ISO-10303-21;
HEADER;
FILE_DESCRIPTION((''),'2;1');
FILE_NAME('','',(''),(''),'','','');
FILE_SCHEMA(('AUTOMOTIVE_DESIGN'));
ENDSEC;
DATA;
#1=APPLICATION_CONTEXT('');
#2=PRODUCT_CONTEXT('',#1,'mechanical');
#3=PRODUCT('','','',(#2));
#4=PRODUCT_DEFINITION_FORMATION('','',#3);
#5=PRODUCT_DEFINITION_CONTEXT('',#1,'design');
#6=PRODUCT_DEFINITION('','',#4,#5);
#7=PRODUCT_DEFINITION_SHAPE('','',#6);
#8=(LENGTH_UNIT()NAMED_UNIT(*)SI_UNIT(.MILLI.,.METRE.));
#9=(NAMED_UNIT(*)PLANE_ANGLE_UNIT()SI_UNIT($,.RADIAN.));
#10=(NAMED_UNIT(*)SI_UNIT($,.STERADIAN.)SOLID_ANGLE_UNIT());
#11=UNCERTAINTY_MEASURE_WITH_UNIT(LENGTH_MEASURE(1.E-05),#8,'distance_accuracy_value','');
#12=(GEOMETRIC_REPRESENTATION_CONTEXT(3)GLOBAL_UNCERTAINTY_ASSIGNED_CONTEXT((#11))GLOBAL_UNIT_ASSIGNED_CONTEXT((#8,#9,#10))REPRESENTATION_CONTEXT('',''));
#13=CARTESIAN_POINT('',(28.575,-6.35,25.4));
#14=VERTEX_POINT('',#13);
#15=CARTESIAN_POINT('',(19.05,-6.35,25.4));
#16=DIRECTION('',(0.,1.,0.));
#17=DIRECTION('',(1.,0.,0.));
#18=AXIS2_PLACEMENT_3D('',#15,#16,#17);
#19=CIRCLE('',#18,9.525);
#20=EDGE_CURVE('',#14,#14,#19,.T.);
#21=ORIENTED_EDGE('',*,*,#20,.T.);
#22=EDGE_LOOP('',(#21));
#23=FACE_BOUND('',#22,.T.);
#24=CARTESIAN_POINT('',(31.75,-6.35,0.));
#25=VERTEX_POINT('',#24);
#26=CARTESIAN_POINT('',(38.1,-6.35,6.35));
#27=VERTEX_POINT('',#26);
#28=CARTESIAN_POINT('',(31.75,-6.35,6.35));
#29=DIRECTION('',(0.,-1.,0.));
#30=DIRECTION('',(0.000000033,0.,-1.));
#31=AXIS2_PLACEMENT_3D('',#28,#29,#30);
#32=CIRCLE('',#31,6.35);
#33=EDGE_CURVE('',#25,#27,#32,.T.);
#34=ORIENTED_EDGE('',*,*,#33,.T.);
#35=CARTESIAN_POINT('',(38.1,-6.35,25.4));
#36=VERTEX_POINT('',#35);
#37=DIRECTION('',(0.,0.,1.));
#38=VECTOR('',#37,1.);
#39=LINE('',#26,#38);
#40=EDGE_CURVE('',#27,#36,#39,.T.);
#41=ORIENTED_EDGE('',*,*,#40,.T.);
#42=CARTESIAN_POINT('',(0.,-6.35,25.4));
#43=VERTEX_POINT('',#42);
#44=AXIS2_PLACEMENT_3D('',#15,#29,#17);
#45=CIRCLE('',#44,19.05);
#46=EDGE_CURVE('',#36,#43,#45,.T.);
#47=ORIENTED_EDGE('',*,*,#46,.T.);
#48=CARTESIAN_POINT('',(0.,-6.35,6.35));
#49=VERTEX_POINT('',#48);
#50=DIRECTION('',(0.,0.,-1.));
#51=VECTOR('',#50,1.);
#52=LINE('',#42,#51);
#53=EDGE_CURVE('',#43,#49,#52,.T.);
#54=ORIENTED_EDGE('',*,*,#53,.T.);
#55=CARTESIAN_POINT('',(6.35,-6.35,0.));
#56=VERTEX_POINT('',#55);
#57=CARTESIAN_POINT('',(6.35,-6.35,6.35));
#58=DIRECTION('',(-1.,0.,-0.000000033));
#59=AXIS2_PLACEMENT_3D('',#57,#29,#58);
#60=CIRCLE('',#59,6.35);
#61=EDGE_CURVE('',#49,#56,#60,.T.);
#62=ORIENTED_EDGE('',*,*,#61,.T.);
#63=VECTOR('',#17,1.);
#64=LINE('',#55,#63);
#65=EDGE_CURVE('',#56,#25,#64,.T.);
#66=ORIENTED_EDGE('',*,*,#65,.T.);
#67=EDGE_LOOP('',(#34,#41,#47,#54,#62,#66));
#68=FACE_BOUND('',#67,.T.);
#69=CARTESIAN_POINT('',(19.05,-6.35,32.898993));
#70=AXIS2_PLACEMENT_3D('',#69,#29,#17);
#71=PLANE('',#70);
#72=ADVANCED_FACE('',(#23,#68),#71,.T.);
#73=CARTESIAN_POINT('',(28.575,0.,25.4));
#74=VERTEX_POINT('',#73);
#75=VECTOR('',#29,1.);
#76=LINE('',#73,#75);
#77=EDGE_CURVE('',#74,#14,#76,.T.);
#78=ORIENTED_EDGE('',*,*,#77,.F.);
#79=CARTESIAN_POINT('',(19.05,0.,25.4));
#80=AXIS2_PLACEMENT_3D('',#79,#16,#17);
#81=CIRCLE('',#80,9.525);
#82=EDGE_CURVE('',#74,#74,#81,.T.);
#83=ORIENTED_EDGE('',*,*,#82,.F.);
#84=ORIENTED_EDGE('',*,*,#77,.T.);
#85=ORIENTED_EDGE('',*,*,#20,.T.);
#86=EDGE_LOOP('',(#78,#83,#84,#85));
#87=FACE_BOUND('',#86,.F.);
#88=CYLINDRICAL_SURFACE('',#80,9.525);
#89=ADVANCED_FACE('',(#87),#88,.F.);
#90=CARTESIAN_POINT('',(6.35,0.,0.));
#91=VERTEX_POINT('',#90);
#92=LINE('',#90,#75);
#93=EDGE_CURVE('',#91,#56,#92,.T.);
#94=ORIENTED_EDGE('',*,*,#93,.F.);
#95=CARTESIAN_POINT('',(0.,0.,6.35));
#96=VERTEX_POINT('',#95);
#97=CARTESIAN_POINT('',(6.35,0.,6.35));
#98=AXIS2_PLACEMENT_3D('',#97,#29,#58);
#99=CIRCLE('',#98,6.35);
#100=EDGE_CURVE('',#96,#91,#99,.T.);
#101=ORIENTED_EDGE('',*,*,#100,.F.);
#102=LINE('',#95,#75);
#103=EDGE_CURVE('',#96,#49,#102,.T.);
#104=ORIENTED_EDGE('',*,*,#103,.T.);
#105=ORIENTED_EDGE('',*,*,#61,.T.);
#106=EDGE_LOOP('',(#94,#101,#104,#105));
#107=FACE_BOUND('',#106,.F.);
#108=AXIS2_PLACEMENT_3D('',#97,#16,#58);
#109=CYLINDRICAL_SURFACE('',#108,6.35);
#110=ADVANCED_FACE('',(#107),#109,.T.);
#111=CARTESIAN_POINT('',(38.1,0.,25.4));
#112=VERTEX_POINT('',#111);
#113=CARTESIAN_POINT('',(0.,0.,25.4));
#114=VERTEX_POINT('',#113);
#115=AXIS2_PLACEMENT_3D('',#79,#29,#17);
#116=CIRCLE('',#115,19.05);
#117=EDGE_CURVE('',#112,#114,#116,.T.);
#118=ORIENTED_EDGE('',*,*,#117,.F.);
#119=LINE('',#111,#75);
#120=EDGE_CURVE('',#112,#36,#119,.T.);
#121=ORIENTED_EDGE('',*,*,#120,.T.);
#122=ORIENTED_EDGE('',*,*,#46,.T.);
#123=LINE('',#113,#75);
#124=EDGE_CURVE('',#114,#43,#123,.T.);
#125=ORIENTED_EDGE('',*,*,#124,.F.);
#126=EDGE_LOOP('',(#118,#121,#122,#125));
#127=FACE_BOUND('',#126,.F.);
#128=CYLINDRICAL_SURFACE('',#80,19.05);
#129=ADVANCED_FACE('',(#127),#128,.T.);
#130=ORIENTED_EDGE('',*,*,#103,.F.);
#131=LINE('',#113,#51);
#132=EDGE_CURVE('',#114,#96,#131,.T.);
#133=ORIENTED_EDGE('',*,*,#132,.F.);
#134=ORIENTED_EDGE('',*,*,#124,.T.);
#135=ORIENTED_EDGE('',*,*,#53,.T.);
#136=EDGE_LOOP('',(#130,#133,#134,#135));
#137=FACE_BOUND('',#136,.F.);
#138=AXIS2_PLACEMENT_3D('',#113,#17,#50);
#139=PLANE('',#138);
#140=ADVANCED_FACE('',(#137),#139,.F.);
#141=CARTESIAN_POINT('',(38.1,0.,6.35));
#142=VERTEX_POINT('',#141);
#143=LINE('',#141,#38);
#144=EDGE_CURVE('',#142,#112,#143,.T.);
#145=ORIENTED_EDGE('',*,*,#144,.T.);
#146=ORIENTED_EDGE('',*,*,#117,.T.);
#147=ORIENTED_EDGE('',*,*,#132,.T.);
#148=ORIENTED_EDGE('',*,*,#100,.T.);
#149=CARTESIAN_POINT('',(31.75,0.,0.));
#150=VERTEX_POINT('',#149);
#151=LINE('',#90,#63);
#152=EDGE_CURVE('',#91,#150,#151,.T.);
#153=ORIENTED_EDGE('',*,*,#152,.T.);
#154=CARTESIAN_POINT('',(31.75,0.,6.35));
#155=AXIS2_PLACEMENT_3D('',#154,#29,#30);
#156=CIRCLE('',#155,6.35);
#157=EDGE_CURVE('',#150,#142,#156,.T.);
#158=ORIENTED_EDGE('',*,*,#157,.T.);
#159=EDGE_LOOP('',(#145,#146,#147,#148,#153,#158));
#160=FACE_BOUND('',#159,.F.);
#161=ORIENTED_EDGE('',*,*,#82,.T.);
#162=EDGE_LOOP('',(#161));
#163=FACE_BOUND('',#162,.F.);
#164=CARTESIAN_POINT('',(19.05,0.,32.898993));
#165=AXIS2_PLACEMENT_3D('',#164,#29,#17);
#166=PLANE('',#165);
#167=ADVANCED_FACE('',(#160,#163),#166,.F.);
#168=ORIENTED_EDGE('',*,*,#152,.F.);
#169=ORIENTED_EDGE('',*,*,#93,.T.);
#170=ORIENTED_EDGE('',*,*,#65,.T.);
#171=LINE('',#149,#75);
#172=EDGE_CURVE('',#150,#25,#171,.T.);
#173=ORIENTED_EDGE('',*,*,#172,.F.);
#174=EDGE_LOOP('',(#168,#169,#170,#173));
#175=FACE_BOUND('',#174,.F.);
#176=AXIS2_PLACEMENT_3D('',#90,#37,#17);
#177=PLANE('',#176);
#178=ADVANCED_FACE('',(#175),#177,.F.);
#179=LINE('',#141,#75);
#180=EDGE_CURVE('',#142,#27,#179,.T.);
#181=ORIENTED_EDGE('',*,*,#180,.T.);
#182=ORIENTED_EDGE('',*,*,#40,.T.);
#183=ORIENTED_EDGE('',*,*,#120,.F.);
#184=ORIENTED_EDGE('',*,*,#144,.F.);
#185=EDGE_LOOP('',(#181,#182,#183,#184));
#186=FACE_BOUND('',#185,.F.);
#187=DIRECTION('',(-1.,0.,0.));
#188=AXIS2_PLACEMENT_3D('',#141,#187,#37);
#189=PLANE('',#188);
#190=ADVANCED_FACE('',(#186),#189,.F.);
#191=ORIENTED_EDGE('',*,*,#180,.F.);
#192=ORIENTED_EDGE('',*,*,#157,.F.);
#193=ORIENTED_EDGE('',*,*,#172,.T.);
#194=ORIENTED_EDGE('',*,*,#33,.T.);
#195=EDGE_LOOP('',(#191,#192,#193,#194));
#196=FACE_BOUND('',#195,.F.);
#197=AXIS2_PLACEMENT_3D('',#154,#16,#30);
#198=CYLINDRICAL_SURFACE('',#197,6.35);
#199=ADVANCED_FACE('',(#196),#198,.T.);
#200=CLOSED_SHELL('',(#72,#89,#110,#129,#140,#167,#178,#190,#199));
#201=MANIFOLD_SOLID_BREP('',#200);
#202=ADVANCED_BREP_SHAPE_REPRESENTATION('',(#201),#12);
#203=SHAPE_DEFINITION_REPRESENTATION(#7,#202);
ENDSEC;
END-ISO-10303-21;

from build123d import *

# Parameters (mm, degrees)
F1_DEPTH = 6.35


with BuildPart() as f1:
    # F0 (on Front) → F1 (new body)
    with BuildSketch(Plane.XZ):
        with BuildLine():
            ThreePointArc((38.1, 25.4), (19.05, 44.45), (0, 25.4))
            Line((0, 25.4), (9.525, 25.4))
            ThreePointArc((9.525, 25.4), (19.05, 34.925), (28.575, 25.4))
            Line((28.575, 25.4), (38.1, 25.4))
        make_face()
        with BuildLine():
            ThreePointArc((0, 6.35), (1.859872, 1.859872), (6.35, 0))
            Line((6.35, 0), (31.75, 0))
            ThreePointArc((31.75, 0), (36.240128, 1.859872), (38.1, 6.35))
            Line((38.1, 6.35), (38.1, 25.4))
            Line((38.1, 25.4), (28.575, 25.4))
            ThreePointArc((28.575, 25.4), (19.05, 15.875), (9.525, 25.4))
            Line((9.525, 25.4), (0, 25.4))
            Line((0, 25.4), (0, 6.35))
        make_face()
    extrude(amount=F1_DEPTH)


solid = f1.part
